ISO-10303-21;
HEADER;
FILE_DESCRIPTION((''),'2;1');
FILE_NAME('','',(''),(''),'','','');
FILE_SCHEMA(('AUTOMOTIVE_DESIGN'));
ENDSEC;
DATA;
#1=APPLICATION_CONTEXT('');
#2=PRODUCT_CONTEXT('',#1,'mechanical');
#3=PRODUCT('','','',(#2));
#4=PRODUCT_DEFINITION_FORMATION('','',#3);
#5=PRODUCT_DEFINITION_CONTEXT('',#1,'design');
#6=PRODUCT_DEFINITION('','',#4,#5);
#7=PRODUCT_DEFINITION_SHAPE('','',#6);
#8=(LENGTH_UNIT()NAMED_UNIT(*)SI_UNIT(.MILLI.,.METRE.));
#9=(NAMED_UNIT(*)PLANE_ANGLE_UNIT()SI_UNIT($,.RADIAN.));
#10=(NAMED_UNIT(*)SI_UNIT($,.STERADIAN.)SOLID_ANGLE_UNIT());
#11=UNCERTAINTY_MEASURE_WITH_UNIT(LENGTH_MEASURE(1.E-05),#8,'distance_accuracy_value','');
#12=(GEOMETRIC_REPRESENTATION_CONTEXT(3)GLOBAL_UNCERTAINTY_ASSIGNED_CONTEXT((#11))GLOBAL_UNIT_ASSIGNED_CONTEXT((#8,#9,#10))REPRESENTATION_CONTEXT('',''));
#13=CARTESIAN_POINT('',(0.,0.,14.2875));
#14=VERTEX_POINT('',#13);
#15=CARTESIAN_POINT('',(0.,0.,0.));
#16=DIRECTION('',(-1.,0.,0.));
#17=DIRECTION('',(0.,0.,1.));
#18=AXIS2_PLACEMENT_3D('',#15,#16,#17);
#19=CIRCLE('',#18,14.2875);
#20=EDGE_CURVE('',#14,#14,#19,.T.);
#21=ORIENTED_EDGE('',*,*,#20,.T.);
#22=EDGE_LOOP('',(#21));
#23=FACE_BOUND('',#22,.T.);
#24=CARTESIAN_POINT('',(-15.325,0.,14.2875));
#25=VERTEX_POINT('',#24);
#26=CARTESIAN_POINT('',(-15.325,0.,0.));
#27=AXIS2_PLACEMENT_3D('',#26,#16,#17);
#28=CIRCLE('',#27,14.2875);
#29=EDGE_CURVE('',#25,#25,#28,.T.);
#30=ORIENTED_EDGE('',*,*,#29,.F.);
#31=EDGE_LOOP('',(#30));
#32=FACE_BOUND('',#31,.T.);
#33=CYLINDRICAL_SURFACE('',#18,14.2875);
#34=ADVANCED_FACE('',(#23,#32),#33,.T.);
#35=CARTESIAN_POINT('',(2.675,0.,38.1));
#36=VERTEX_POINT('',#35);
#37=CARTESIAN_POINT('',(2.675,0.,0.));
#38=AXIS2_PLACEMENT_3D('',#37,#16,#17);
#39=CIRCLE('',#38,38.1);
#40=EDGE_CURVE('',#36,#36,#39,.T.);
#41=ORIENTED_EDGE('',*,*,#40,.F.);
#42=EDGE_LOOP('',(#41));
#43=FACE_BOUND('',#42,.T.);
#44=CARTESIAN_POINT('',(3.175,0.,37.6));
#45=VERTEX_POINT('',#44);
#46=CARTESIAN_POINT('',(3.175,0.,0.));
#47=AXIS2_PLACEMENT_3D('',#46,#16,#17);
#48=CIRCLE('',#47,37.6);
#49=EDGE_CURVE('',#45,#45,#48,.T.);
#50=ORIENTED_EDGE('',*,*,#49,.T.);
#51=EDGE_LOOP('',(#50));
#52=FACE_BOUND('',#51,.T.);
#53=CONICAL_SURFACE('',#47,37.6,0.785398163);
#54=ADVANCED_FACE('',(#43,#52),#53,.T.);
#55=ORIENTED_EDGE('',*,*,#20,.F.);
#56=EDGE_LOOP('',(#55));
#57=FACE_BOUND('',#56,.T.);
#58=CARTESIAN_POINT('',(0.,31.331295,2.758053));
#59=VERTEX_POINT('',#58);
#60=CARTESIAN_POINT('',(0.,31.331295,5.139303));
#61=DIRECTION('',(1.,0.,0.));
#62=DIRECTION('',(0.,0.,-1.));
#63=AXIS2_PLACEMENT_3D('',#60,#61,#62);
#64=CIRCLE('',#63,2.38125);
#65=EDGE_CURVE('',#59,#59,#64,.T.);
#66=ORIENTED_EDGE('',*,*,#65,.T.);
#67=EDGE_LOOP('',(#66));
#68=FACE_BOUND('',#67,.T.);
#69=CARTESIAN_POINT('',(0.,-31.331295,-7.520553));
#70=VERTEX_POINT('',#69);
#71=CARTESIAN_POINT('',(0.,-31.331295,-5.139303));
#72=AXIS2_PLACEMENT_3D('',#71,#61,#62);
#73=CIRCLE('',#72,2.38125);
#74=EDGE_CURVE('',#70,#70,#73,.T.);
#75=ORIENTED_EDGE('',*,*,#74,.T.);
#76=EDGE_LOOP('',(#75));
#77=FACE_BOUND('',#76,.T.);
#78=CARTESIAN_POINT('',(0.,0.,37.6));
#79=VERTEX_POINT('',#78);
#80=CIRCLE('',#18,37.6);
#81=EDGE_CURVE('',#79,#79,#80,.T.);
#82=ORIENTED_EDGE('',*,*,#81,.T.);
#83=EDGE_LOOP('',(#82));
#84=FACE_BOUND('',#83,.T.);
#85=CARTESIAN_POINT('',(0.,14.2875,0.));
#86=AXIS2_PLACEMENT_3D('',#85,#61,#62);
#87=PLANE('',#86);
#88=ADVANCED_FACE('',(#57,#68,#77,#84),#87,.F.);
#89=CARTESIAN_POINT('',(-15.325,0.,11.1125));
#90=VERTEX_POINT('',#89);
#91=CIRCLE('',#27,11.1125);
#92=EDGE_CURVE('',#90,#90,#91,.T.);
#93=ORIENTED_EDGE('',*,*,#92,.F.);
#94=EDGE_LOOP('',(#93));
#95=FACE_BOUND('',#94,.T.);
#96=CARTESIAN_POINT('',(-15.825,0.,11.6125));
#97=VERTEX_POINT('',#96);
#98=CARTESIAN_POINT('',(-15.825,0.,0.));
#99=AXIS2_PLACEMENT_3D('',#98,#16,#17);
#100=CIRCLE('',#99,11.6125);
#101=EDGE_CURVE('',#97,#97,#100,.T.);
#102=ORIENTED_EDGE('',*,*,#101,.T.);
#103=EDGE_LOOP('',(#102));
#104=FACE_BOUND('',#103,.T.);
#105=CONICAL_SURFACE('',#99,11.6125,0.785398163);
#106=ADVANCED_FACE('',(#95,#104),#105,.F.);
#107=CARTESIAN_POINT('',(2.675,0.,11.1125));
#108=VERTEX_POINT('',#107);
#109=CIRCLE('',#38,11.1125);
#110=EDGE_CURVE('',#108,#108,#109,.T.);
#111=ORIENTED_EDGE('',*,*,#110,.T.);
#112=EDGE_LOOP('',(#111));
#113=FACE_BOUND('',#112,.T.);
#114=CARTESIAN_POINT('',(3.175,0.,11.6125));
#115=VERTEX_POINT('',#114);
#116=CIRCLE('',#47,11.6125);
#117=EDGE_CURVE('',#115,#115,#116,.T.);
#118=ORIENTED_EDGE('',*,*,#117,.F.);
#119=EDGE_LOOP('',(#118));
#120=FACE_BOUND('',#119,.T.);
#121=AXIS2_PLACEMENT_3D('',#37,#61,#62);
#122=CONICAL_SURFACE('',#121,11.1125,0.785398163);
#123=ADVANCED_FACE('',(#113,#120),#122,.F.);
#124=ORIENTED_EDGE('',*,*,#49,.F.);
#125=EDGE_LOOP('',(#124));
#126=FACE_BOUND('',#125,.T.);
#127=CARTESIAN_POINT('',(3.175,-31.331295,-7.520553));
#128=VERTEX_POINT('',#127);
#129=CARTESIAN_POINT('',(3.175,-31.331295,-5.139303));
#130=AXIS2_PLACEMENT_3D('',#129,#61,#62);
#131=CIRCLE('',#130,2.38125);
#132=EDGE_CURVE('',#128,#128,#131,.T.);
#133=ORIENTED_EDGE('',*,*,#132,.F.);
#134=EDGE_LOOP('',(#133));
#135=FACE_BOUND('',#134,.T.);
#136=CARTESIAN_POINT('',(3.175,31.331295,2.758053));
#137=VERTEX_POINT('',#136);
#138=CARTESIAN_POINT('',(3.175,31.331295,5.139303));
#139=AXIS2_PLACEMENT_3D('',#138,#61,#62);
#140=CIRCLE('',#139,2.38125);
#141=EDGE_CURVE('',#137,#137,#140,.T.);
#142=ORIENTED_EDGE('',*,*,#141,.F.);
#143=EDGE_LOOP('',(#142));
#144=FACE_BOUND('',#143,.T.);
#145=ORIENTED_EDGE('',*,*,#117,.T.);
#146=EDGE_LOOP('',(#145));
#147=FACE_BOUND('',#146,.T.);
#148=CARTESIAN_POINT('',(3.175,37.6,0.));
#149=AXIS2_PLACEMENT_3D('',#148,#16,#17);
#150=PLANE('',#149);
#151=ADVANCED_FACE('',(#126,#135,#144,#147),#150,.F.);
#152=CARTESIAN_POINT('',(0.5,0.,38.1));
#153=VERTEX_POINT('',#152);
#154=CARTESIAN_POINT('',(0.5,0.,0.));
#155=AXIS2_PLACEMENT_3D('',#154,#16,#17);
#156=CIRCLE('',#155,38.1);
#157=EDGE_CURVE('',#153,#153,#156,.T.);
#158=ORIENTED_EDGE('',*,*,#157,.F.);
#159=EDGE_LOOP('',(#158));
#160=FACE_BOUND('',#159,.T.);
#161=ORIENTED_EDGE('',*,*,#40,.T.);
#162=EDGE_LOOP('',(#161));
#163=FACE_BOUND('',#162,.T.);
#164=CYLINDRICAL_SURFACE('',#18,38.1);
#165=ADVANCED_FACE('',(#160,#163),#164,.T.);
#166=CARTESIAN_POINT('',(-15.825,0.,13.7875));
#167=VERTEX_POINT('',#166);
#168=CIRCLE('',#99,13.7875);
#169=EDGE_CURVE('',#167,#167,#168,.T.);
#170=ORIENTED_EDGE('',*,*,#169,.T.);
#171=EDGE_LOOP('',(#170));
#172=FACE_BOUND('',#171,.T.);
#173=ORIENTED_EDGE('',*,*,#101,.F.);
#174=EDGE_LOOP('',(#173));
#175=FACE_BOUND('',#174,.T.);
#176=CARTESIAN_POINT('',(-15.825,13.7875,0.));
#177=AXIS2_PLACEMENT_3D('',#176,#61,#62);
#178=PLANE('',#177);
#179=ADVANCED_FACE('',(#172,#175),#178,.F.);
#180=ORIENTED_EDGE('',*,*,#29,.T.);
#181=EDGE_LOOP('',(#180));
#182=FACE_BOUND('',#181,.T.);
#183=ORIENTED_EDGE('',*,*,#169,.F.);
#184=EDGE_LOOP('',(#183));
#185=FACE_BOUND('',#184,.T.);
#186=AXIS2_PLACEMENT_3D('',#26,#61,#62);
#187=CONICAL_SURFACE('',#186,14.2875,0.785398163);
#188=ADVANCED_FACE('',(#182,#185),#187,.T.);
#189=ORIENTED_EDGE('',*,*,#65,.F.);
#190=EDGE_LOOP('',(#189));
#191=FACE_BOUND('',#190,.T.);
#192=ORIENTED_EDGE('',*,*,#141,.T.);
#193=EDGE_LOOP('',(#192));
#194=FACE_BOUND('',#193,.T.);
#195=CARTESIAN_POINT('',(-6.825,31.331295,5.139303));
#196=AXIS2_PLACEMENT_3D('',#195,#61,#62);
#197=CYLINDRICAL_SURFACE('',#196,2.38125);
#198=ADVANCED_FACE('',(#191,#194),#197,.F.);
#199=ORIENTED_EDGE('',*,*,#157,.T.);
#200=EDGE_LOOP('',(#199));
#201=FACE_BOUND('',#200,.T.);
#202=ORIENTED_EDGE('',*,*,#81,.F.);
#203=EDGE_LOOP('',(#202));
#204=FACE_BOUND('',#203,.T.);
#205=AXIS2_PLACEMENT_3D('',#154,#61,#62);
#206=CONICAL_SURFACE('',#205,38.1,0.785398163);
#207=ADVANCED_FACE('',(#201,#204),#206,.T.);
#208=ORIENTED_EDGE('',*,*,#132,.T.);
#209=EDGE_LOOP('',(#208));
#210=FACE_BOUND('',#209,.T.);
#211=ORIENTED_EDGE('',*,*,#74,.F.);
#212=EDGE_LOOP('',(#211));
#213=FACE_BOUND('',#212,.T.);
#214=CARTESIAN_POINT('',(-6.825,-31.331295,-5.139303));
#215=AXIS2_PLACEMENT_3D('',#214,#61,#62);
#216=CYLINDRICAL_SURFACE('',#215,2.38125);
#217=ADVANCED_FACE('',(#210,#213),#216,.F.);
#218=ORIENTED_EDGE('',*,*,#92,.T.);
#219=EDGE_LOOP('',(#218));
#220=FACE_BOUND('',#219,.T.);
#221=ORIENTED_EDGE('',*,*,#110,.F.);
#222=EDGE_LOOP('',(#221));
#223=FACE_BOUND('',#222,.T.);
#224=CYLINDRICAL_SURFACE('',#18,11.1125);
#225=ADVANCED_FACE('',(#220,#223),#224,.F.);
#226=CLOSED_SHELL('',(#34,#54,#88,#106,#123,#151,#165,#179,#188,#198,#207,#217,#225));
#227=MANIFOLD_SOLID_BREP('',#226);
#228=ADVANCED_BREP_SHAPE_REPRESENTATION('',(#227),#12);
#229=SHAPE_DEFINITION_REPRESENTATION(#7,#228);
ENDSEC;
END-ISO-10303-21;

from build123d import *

# Parameters (mm, degrees)
SKETCH2_R          = 2.38125
CUT_EXTRUDE1_DEPTH = 10


with BuildPart() as part:
    # Sketch1 → Revolve1 (revolve)
    with BuildSketch(Plane.XY, mode=Mode.PRIVATE) as revolve1_sk:
        Polygon((-15.825, 13.7875), (-15.825, 11.6125), (-15.325, 11.1125), (2.675, 11.1125), (3.175, 11.6125), (3.175, 37.6), (2.675, 38.1), (0.5, 38.1), (0, 37.6), (0, 14.2875), (-15.325, 14.2875), align=None)
    revolve(revolve1_sk.sketch.rotate(Axis((0, 0, 0), (1, 0, 0)), 90), axis=Axis((0, 0, 0), (1, 0, 0)))

    # Sketch2 → Cut-Extrude1 (cut)
    with BuildSketch(Plane(origin=(3.175, 0, 0), x_dir=(0, 0, -1), z_dir=(1, 0, 0))):
        with Locations((-5.139303331, 31.331295238)):
            Circle(SKETCH2_R)
        with Locations((5.139303331, -31.331295238)):
            Circle(SKETCH2_R)
    extrude(amount=-CUT_EXTRUDE1_DEPTH, mode=Mode.SUBTRACT)


solid = part.part
